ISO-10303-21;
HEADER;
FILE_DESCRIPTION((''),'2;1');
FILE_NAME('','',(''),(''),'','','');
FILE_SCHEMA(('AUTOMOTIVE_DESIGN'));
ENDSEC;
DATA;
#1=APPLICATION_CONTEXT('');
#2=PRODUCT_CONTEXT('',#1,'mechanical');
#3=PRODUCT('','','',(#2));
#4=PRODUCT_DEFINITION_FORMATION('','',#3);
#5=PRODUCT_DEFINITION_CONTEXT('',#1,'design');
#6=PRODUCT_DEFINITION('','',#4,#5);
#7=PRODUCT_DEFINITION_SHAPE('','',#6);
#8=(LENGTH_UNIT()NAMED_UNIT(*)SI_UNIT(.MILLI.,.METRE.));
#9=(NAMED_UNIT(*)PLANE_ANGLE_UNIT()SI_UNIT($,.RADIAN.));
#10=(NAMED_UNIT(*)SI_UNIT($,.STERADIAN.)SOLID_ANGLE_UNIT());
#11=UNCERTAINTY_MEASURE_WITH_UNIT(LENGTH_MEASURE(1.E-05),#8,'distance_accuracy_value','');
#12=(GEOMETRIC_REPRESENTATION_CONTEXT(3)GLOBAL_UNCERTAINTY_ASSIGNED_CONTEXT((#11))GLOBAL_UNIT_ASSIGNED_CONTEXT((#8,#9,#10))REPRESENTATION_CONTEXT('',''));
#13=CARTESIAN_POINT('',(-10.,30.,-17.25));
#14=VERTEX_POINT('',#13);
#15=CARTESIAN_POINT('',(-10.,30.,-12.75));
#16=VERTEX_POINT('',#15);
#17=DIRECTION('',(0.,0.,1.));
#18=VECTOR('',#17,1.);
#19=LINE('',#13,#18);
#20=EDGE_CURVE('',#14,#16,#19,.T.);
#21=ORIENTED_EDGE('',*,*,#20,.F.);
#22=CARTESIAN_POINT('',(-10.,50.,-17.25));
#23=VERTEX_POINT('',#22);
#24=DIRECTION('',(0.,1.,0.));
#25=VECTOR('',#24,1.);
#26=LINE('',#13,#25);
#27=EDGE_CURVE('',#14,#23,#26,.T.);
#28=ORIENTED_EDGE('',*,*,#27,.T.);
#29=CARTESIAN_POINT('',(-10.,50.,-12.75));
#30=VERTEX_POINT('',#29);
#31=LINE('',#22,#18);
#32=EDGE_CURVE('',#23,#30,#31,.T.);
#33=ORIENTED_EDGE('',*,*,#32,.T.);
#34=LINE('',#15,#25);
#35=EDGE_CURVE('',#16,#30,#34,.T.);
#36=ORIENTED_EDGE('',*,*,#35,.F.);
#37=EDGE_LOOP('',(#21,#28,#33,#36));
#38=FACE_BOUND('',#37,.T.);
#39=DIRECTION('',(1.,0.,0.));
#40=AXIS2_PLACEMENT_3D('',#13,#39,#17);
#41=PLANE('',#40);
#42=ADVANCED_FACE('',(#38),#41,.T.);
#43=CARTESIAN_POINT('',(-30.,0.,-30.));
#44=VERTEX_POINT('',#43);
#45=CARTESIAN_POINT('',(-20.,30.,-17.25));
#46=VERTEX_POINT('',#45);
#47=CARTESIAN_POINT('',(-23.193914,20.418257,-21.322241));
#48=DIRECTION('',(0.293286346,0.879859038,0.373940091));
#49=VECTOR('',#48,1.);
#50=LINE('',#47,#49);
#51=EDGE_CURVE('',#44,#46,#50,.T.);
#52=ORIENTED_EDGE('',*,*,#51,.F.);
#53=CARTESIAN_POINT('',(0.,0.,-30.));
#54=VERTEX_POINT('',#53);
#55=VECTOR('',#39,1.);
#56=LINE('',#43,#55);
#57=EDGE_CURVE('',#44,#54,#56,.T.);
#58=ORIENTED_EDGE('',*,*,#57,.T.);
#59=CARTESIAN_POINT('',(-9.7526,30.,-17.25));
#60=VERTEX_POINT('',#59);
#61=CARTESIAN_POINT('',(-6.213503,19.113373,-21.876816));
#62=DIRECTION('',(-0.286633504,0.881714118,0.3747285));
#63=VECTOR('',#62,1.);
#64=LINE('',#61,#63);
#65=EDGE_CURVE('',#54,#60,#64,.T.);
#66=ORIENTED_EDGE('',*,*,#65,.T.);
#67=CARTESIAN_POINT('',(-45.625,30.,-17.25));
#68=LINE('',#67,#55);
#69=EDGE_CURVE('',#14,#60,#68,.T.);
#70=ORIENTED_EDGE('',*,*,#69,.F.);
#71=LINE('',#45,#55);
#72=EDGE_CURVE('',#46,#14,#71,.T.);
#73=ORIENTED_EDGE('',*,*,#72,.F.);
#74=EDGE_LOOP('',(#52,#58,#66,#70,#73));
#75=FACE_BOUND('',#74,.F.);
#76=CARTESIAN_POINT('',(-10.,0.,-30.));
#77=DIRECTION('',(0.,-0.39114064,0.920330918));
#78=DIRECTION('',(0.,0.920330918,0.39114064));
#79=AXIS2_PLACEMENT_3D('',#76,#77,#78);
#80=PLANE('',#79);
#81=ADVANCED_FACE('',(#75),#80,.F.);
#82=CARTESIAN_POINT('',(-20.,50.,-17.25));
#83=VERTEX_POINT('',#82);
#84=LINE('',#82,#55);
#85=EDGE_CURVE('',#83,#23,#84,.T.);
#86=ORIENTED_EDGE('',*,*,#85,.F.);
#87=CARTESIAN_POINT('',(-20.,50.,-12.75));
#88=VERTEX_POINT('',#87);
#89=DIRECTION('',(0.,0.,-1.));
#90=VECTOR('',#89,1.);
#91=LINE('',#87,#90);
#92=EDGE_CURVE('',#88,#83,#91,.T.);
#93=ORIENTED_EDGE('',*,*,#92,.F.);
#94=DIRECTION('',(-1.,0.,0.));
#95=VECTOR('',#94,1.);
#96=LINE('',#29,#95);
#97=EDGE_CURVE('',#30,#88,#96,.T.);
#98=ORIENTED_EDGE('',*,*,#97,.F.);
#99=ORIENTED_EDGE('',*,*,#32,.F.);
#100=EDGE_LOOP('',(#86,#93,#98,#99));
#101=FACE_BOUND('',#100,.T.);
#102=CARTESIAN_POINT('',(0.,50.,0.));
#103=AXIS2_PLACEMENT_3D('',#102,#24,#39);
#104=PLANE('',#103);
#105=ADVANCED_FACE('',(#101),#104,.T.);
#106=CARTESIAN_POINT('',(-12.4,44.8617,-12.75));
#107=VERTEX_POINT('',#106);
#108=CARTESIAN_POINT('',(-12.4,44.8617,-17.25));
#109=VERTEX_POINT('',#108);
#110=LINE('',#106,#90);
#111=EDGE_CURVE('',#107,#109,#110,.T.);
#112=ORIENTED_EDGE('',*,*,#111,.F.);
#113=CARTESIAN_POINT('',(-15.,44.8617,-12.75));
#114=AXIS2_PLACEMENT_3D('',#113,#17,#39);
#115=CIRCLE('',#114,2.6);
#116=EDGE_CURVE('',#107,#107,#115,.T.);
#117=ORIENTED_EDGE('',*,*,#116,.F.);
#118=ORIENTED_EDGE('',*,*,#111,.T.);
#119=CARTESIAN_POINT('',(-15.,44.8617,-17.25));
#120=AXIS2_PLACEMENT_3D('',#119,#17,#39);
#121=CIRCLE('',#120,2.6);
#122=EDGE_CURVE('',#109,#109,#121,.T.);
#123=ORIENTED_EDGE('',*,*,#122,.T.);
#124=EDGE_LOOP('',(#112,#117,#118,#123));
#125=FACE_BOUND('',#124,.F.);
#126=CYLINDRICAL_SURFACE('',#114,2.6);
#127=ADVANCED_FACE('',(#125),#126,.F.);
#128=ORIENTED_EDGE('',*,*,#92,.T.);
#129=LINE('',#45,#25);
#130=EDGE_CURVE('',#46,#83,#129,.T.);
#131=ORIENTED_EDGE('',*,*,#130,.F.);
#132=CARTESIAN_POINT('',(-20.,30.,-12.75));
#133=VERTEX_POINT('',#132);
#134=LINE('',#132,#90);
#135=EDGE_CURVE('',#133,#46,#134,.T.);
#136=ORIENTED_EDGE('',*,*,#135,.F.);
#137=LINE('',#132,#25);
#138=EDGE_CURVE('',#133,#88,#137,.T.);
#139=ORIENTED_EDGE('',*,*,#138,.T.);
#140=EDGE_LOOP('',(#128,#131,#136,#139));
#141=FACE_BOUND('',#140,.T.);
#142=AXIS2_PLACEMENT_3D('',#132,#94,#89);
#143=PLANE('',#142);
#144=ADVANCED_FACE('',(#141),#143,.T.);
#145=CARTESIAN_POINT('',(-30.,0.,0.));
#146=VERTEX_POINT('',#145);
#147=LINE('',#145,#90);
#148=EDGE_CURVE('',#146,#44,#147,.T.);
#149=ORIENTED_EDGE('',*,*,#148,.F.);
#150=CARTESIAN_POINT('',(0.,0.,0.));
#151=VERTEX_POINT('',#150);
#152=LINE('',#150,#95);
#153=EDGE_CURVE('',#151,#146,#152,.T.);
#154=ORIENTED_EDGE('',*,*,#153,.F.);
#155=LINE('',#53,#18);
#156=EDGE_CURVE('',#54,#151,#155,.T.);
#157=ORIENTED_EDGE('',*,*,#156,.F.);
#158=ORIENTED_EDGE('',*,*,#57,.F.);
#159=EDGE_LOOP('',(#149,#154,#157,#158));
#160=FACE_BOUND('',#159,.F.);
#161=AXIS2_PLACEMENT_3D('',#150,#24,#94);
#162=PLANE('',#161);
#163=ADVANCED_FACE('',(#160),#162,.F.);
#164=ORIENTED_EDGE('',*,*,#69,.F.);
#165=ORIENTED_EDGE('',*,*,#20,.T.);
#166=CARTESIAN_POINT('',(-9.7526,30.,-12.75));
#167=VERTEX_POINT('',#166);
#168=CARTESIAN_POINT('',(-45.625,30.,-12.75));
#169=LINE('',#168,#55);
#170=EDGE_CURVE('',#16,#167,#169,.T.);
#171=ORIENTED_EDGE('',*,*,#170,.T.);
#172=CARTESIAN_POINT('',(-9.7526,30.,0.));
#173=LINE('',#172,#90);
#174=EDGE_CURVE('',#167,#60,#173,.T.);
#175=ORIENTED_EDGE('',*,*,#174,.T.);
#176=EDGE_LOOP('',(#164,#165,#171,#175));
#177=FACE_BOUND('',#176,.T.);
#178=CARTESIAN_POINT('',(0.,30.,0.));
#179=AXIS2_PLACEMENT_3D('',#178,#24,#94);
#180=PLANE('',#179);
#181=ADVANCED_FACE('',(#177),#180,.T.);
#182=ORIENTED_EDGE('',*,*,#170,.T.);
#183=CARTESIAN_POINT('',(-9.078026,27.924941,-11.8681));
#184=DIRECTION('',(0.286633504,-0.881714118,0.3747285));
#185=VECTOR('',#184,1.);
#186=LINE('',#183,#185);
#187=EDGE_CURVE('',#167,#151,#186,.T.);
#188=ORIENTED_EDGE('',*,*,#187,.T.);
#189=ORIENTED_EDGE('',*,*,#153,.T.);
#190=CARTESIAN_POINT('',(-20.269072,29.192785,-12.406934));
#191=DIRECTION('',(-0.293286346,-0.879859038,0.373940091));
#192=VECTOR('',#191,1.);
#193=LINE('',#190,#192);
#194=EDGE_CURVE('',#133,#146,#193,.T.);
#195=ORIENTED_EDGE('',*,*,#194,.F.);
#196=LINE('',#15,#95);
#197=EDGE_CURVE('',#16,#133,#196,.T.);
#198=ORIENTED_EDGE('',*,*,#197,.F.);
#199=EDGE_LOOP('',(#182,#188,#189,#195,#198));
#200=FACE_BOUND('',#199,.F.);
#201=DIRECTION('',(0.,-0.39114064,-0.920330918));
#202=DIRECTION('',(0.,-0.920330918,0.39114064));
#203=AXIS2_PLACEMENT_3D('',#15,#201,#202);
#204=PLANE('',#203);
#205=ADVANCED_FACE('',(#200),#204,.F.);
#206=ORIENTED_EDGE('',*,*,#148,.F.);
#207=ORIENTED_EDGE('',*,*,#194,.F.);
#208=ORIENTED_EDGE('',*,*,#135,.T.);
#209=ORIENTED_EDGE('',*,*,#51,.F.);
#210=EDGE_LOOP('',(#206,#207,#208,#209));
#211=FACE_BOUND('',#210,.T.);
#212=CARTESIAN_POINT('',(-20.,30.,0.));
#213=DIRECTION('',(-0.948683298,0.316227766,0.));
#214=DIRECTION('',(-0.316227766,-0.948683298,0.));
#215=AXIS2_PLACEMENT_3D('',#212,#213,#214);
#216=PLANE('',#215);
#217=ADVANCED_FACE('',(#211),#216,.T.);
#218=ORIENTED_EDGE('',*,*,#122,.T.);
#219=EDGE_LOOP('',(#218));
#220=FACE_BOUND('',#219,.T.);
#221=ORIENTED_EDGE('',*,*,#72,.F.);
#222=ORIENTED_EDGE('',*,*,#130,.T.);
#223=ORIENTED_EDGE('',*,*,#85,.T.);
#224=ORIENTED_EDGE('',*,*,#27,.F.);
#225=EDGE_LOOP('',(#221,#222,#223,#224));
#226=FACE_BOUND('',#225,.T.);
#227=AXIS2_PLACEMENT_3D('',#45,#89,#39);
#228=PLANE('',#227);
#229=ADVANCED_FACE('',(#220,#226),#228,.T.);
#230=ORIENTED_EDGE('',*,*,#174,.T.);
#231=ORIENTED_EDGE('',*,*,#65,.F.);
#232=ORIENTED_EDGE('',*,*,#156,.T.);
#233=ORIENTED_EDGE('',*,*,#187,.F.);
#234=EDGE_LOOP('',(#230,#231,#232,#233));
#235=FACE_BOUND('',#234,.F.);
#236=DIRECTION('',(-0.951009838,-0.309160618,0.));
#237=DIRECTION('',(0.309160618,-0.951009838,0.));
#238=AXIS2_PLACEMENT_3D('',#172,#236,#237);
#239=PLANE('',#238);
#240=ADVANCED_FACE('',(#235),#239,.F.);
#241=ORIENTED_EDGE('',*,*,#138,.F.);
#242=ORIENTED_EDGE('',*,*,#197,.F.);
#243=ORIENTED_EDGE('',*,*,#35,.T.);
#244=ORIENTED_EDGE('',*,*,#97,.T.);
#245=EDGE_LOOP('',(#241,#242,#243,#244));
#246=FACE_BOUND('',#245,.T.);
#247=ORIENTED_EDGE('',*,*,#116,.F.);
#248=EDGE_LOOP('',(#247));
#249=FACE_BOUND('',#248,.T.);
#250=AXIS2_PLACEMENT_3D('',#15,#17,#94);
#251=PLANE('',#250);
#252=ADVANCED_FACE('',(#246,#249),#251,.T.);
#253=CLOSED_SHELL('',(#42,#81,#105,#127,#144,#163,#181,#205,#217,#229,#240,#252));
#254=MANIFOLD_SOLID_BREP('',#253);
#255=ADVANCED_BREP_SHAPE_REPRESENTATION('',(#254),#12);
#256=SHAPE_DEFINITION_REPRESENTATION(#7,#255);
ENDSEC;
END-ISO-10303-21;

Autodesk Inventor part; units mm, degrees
ref_plane "YZ Plane" through (0, 0, 0) normal (1, 0, 0) x (0, 1, 0)
ref_plane "XZ Plane" through (0, 0, 0) normal (0, 1, 0) x (-1, 0, 0)
ref_plane "XY Plane" through (0, 0, 0) normal (0, 0, 1) x (1, 0, 0)
sketch "Sketch1" plane through (0, 0, 0) normal (0, 1, 0) x (-1, 0, 0)
  line L0 (0, 0) -> (30, 0)
  line L1 (30, 0) -> (30, -30)
  line L2 (30, -30) -> (0, -30)
  line L3 (0, -30) -> (0, 0)
  dimension "d0" = 30
  dimension "d1" = 30
extrude "Extrusion1" add sketch "Sketch1" along normal blind 30
sketch "Sketch2" plane through (0, 30, 0) normal (0, 1, 0) x (1, 0, 0)
  line L0 (-20, 17.25) -> (-10, 17.25)
  line L1 (-10, 17.25) -> (-10, 12.75)
  line L2 (-10, 12.75) -> (-20, 12.75)
  line L3 (-20, 12.75) -> (-20, 17.25)
  line L4 (-20, 17.25) -> (-10, 12.75) construction
  line L5 (-10, 17.25) -> (-20, 12.75) construction
  line L6 (-30, 30) -> (-30, 0) projected
  line L7 (-30, 0) -> (0, 0) projected
  point P0 (-15, 15)
  point P1 (-30, 15)
  dimension "d4" = 15
  dimension "d5" = 15
  dimension "d6" = 10
  dimension "d7" = 4.5
extrude "Extrusion2" add sketch "Sketch2" along normal blind 20
sketch "Sketch3" plane through (-20, 30, -12.75) normal (0, 0, 1) x (1, 0, 0)
  circle A0 centre (5, 14.8617) radius 2.6
  point P0 (20, -30)
  dimension "d10" = 5.2
extrude "Extrusion3" cut sketch "Sketch3" against normal blind 20
sketch "Sketch4" plane through (-30, 0, 0) normal (0, 0, 1) x (1, 0, 0)
  line L0 (10, 30) -> (20, 30) projected
  line L1 (0, 0) -> (0, 30) projected
  line L2 (10, 30) -> (0, 0)
  line L3 (0, 0) -> (0, 30)
  line L4 (0, 30) -> (10, 30)
  line L5 (0, 30) -> (30, 30) projected
  line L6 (20.2474, 30) -> (30, 0)
  line L7 (30, 0) -> (30, 30) projected
  line L8 (30, 0) -> (30, 30)
  line L9 (30, 30) -> (20.2474, 30)
extrude "Extrusion4" cut sketch "Sketch4" against normal blind 71.25
sketch "Sketch6" plane through (-10, 30, -12.75) normal (1, 0, 0) x (0, 0, -1)
  line L0 (0, 0) -> (-12.75, -30)
  line L1 (-12.75, -30) -> (-12.75, 0) projected
  line L2 (-12.75, -30) -> (-12.75, 0)
  line L3 (0, 0) -> (-12.75, 0) projected
  line L4 (-12.75, 0) -> (0, 0)
  line L5 (17.25, 0) -> (4.5, 0) projected
  line L6 (0, 0) -> (4.5, 0)
  line L7 (4.5, 0) -> (17.25, 0)
  line L8 (17.25, 0) -> (17.25, -30) projected
  line L9 (17.25, 0) -> (17.25, -30)
  line L10 (4.5, 0) -> (4.5, 20) projected
  line L11 (17.25, -30) -> (4.5, 0)
extrude "Extrusion5" cut sketch "Sketch6" along normal blind 71.25 and the other way blind 35.625
properties part number "ObjectPyrsmid"
